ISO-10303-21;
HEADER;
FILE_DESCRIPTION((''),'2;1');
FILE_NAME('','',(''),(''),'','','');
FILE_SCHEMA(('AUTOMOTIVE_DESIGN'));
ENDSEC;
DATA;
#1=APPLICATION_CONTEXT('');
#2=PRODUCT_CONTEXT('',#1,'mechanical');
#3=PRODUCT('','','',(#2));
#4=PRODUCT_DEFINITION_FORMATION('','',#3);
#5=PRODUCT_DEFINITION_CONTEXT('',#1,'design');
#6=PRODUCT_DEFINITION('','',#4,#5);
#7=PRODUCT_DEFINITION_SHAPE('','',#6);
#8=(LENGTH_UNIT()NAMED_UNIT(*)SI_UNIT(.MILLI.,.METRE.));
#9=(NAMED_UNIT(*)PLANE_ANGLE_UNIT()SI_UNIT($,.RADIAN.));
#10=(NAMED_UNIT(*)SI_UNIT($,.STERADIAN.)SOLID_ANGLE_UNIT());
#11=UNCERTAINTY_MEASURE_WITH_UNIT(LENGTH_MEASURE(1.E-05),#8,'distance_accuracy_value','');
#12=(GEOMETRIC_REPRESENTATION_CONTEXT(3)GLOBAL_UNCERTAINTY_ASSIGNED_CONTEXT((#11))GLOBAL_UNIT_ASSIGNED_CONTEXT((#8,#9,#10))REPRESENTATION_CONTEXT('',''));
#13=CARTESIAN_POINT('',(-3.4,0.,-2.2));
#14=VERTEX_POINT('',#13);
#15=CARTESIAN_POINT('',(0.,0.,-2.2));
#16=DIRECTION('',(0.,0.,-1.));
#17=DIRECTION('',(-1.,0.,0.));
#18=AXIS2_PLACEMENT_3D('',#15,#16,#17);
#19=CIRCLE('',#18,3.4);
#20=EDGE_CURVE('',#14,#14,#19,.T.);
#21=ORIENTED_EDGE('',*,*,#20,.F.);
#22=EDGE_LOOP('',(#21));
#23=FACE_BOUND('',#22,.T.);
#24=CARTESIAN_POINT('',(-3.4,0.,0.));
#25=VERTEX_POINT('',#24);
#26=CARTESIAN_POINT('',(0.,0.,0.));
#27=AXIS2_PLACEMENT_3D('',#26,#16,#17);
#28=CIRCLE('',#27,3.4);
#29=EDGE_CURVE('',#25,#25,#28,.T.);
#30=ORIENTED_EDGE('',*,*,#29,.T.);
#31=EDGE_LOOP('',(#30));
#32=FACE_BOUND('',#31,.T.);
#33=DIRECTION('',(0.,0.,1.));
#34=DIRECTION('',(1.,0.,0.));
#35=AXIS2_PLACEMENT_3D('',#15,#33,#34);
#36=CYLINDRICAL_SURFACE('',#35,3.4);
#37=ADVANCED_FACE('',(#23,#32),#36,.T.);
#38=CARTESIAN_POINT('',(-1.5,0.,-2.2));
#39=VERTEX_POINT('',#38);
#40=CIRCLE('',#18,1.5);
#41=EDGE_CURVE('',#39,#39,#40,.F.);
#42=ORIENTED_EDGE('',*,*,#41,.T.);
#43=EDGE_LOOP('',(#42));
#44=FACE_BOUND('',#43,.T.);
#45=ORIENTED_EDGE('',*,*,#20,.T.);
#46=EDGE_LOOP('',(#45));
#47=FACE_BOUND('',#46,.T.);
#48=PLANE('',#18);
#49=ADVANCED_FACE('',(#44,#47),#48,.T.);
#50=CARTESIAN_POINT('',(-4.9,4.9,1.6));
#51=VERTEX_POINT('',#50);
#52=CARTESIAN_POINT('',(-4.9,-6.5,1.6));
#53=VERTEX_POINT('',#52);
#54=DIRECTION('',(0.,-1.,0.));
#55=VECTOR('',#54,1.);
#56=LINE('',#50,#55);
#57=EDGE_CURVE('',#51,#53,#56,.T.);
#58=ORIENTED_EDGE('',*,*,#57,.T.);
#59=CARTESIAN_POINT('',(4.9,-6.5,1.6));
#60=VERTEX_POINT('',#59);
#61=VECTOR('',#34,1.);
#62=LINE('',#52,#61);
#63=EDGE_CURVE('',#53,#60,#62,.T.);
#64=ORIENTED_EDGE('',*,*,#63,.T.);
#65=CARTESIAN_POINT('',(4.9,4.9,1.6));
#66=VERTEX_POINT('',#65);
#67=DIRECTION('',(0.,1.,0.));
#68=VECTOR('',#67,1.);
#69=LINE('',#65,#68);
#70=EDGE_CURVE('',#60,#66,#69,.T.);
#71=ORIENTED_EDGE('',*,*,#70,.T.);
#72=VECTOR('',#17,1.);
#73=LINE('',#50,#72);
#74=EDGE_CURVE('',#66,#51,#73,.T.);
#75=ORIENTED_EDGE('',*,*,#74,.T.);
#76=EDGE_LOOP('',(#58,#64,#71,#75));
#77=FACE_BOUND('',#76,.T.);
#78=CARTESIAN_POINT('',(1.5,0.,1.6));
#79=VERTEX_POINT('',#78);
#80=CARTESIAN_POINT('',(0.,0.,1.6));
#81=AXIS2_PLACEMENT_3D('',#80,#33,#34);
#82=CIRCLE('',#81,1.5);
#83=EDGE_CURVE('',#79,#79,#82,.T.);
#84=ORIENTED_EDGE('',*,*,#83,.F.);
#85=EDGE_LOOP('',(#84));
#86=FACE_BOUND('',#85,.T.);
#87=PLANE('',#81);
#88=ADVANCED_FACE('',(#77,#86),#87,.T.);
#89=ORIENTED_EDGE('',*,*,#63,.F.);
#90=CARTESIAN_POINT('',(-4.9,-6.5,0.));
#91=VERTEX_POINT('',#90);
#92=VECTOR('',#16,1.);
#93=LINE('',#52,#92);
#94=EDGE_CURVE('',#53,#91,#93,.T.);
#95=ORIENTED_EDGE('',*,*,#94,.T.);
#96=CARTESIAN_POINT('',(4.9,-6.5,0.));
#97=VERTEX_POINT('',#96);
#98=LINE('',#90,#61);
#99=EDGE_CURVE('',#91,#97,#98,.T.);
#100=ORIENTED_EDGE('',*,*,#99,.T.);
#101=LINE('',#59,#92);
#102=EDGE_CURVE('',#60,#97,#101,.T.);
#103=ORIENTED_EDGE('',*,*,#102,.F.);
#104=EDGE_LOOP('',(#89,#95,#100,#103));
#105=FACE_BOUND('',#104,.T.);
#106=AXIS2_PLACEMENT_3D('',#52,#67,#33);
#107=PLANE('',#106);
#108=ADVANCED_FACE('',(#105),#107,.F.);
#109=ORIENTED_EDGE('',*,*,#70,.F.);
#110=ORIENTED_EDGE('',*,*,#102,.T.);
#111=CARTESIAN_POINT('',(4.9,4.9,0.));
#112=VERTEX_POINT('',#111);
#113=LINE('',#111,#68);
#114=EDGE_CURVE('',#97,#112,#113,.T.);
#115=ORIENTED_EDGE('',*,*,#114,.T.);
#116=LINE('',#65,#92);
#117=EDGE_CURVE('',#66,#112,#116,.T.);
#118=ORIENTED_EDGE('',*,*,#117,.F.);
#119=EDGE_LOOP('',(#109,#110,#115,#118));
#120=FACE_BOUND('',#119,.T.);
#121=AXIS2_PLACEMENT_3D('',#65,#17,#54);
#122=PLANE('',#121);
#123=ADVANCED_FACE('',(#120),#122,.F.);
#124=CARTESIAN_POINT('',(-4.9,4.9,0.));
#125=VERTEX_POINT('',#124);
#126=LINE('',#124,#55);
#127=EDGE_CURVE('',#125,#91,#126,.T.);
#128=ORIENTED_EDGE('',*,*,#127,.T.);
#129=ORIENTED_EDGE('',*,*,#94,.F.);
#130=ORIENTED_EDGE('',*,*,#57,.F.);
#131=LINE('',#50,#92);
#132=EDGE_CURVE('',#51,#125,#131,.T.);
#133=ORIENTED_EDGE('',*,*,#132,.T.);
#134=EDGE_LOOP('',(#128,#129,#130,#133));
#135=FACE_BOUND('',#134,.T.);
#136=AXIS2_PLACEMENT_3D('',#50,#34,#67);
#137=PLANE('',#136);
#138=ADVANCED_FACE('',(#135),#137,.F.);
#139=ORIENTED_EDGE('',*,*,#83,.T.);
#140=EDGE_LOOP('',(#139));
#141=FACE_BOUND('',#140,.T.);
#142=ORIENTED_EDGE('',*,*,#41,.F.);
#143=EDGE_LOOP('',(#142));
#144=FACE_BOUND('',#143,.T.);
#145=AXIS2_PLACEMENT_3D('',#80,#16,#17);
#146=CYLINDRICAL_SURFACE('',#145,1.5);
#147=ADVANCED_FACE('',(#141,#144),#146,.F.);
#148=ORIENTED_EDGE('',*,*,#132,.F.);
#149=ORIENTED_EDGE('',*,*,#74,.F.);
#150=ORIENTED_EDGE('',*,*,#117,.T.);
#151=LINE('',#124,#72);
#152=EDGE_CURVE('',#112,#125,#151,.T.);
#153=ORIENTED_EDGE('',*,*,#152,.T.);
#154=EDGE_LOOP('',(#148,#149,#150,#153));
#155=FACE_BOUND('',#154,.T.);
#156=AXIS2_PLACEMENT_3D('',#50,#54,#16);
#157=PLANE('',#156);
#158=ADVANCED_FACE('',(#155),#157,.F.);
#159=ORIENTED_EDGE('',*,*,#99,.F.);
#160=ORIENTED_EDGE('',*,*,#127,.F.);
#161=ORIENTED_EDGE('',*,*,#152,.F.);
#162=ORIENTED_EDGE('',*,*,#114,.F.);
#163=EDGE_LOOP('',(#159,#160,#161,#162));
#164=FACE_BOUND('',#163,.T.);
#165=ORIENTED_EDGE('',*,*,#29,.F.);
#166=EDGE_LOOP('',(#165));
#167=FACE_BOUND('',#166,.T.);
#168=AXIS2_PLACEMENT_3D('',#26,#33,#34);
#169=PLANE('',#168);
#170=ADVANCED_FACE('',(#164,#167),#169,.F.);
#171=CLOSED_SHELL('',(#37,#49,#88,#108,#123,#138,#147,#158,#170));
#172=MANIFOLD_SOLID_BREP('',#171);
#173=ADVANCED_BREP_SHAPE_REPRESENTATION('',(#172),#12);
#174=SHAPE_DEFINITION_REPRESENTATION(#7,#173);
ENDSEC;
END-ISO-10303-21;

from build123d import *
from build123d.topology import SkipClean

# Parameters (mm, degrees)
SKETCH1_W           = 9.8
SKETCH1_H           = 11.4
SKETCH1_R           = 1.5
BOSS_EXTRUDE1_DEPTH = 1.6
BOSS_EXTRUDE2_START = 2.2
SKETCH2_R           = 3.4
SKETCH2_R_2         = 1.5
BOSS_EXTRUDE2_DEPTH = 2.2


with BuildPart() as part:
    # Sketch1 → Boss-Extrude1 (new body)
    with BuildSketch(Plane.XY):
        with Locations((0, -0.8)):
            Rectangle(SKETCH1_W, SKETCH1_H)
        Circle(SKETCH1_R, mode=Mode.SUBTRACT)
    extrude(amount=BOSS_EXTRUDE1_DEPTH)

    # Sketch2 → Boss-Extrude2 (add)
    with SkipClean():  # the faces are left unmerged after this step: merging them gives an invalid solid
        with BuildSketch(Plane(origin=(0, 0, 0), x_dir=(-1, 0, 0), z_dir=(0, 0, -1)).offset(BOSS_EXTRUDE2_START)):
            Circle(SKETCH2_R)
            Circle(SKETCH2_R_2, mode=Mode.SUBTRACT)
        extrude(amount=-BOSS_EXTRUDE2_DEPTH)


solid = part.part
